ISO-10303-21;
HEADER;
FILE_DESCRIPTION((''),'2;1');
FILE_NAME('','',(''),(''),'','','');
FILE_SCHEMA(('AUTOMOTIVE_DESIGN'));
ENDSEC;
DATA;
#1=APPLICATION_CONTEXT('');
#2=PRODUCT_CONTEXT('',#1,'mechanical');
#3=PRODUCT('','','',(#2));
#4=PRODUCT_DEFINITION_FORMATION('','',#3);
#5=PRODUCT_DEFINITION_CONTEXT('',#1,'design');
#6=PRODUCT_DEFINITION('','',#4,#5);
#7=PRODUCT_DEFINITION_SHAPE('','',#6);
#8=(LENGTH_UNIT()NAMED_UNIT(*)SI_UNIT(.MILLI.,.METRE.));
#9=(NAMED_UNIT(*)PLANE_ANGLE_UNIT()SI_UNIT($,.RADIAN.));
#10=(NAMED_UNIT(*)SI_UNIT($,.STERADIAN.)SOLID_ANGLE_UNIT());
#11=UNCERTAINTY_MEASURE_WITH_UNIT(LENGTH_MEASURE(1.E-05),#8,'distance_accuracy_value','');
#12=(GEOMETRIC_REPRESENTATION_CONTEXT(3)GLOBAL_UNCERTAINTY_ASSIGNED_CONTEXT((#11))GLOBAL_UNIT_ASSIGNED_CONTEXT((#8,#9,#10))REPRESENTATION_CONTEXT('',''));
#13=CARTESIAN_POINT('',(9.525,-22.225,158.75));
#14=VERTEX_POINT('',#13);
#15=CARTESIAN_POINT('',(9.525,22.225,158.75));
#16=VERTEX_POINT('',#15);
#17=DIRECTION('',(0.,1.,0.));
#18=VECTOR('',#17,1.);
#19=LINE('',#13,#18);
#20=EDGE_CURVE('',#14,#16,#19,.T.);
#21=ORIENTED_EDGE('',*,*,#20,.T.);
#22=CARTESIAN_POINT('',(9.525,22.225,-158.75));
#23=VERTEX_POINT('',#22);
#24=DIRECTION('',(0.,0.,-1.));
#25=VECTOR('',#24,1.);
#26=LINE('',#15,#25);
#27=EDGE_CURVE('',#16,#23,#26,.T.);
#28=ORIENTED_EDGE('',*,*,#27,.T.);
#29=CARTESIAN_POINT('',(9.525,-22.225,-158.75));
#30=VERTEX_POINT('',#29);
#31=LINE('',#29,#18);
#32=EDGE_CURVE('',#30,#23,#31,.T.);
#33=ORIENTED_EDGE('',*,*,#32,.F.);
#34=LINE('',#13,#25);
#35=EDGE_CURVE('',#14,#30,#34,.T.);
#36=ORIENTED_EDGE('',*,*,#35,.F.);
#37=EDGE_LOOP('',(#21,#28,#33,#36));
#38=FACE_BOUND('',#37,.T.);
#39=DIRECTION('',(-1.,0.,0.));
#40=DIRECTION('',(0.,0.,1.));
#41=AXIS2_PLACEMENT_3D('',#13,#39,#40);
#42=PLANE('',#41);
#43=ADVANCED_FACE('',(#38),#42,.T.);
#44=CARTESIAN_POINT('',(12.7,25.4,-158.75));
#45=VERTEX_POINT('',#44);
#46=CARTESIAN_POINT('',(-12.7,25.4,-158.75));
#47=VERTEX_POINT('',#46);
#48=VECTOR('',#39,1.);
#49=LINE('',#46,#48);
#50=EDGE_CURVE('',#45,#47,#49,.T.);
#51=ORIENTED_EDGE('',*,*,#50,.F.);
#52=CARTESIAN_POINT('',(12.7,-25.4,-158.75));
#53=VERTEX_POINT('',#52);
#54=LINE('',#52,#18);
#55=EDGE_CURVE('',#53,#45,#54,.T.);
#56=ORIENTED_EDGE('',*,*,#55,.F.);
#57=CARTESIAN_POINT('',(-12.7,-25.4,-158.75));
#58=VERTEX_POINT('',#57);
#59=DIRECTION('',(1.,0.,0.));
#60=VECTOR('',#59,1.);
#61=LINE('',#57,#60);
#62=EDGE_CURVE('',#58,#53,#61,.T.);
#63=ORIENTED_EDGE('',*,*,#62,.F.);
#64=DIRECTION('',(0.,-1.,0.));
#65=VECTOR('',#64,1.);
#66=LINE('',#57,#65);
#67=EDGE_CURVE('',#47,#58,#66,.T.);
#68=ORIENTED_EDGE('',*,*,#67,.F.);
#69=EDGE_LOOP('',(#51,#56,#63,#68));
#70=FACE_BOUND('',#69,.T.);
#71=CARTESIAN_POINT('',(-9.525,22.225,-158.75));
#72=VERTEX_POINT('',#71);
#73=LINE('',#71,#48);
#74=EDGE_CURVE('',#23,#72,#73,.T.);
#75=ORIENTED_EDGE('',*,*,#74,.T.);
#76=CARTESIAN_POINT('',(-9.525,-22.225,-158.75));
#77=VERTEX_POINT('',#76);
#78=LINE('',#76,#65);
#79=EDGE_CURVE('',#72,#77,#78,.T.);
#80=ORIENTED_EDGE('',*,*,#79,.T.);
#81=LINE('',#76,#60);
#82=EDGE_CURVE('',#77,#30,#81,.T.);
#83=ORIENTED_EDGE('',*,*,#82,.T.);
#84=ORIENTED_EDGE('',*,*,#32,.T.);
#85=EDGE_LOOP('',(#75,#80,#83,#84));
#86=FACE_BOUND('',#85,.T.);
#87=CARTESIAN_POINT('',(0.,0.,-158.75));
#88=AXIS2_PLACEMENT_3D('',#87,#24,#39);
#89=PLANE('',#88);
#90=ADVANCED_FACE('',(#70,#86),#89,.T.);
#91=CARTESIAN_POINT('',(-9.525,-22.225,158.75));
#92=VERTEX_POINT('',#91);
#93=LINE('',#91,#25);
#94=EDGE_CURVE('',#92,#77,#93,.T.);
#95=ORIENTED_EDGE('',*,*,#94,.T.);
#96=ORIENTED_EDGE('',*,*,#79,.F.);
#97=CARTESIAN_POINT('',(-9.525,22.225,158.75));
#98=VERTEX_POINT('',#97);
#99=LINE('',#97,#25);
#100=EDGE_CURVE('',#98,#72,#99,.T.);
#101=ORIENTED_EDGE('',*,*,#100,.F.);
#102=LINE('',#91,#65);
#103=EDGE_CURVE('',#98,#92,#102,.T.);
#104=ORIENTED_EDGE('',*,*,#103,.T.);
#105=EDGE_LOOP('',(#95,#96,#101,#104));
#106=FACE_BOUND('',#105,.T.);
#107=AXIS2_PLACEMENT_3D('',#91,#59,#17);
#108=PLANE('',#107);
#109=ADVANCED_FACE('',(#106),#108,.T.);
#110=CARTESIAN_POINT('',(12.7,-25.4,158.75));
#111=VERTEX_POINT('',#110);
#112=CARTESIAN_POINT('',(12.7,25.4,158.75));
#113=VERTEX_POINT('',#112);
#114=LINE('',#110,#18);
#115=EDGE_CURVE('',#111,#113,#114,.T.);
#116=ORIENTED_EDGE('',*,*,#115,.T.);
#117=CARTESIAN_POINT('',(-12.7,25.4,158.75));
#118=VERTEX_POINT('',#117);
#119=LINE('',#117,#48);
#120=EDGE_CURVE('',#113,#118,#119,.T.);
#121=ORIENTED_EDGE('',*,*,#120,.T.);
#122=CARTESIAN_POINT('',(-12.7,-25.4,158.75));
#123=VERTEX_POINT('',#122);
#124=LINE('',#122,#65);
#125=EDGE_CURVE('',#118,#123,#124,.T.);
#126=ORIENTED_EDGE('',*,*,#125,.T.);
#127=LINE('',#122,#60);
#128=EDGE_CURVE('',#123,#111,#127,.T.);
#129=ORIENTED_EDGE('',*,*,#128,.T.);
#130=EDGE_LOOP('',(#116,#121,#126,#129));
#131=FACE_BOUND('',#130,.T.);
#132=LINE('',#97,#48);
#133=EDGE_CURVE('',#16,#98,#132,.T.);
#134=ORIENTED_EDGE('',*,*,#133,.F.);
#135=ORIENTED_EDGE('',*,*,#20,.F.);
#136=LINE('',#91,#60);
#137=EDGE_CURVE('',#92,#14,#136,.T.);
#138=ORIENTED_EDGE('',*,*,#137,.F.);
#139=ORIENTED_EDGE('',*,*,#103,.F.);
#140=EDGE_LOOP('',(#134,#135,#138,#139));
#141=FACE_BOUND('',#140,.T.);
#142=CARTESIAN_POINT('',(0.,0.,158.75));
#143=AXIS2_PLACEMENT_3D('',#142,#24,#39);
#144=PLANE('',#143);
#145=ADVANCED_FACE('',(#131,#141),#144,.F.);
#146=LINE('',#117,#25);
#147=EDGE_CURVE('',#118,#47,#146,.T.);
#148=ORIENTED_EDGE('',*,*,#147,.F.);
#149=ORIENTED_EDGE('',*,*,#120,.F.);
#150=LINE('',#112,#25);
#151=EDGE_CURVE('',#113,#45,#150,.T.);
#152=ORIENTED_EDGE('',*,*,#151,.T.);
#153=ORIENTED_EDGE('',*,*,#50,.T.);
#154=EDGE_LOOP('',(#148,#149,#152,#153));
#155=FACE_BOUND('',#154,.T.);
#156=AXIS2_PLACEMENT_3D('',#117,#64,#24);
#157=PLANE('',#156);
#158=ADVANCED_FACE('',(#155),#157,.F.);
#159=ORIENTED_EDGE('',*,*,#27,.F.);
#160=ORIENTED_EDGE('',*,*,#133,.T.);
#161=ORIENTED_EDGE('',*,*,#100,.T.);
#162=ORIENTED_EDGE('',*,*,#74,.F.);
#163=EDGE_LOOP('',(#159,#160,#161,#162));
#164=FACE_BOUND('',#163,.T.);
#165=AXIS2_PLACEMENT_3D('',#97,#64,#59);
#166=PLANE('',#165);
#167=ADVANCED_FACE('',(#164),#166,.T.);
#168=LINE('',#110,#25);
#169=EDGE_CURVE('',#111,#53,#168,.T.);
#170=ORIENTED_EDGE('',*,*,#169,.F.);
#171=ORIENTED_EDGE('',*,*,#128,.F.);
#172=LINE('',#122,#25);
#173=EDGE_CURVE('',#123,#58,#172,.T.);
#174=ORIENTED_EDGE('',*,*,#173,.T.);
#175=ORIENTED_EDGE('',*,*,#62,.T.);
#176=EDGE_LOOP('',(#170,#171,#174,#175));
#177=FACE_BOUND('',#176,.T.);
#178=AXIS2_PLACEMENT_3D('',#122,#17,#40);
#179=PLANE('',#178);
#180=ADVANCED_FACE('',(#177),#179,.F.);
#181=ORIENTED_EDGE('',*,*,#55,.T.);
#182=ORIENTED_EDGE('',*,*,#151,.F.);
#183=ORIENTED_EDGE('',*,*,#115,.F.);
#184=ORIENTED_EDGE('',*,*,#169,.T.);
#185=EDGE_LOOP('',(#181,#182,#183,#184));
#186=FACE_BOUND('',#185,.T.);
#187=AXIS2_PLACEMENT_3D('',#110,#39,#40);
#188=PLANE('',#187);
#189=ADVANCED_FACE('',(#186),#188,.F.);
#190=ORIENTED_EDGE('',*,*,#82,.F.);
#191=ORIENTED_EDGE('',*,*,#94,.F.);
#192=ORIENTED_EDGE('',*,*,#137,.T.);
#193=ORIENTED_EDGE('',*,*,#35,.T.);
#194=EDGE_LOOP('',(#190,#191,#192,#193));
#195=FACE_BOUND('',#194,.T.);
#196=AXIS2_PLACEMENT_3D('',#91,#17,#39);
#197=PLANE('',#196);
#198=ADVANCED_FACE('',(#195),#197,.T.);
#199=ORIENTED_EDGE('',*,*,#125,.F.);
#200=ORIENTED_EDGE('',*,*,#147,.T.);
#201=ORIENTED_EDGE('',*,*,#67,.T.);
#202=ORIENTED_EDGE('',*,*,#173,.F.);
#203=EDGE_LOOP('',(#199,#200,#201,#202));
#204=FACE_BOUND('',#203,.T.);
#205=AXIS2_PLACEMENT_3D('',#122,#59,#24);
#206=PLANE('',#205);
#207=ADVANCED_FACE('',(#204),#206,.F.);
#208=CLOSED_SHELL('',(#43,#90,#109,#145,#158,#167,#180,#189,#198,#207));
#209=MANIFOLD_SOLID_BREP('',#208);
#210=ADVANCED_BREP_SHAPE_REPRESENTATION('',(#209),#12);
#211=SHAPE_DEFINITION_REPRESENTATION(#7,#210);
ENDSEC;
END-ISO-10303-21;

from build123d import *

# Parameters (mm, degrees)
SKETCH1_W           = 25.4
SKETCH1_H           = 50.8
SKETCH1_W_2         = 19.05
SKETCH1_H_2         = 44.45
BOSS_EXTRUDE1_DEPTH = 158.75


with BuildPart() as part:
    # Sketch1 → Boss-Extrude1 (new, symmetric)
    with BuildSketch(Plane.XY):
        Rectangle(SKETCH1_W, SKETCH1_H)
        Rectangle(SKETCH1_W_2, SKETCH1_H_2, mode=Mode.SUBTRACT)
    extrude(amount=BOSS_EXTRUDE1_DEPTH, both=True)


solid = part.part
